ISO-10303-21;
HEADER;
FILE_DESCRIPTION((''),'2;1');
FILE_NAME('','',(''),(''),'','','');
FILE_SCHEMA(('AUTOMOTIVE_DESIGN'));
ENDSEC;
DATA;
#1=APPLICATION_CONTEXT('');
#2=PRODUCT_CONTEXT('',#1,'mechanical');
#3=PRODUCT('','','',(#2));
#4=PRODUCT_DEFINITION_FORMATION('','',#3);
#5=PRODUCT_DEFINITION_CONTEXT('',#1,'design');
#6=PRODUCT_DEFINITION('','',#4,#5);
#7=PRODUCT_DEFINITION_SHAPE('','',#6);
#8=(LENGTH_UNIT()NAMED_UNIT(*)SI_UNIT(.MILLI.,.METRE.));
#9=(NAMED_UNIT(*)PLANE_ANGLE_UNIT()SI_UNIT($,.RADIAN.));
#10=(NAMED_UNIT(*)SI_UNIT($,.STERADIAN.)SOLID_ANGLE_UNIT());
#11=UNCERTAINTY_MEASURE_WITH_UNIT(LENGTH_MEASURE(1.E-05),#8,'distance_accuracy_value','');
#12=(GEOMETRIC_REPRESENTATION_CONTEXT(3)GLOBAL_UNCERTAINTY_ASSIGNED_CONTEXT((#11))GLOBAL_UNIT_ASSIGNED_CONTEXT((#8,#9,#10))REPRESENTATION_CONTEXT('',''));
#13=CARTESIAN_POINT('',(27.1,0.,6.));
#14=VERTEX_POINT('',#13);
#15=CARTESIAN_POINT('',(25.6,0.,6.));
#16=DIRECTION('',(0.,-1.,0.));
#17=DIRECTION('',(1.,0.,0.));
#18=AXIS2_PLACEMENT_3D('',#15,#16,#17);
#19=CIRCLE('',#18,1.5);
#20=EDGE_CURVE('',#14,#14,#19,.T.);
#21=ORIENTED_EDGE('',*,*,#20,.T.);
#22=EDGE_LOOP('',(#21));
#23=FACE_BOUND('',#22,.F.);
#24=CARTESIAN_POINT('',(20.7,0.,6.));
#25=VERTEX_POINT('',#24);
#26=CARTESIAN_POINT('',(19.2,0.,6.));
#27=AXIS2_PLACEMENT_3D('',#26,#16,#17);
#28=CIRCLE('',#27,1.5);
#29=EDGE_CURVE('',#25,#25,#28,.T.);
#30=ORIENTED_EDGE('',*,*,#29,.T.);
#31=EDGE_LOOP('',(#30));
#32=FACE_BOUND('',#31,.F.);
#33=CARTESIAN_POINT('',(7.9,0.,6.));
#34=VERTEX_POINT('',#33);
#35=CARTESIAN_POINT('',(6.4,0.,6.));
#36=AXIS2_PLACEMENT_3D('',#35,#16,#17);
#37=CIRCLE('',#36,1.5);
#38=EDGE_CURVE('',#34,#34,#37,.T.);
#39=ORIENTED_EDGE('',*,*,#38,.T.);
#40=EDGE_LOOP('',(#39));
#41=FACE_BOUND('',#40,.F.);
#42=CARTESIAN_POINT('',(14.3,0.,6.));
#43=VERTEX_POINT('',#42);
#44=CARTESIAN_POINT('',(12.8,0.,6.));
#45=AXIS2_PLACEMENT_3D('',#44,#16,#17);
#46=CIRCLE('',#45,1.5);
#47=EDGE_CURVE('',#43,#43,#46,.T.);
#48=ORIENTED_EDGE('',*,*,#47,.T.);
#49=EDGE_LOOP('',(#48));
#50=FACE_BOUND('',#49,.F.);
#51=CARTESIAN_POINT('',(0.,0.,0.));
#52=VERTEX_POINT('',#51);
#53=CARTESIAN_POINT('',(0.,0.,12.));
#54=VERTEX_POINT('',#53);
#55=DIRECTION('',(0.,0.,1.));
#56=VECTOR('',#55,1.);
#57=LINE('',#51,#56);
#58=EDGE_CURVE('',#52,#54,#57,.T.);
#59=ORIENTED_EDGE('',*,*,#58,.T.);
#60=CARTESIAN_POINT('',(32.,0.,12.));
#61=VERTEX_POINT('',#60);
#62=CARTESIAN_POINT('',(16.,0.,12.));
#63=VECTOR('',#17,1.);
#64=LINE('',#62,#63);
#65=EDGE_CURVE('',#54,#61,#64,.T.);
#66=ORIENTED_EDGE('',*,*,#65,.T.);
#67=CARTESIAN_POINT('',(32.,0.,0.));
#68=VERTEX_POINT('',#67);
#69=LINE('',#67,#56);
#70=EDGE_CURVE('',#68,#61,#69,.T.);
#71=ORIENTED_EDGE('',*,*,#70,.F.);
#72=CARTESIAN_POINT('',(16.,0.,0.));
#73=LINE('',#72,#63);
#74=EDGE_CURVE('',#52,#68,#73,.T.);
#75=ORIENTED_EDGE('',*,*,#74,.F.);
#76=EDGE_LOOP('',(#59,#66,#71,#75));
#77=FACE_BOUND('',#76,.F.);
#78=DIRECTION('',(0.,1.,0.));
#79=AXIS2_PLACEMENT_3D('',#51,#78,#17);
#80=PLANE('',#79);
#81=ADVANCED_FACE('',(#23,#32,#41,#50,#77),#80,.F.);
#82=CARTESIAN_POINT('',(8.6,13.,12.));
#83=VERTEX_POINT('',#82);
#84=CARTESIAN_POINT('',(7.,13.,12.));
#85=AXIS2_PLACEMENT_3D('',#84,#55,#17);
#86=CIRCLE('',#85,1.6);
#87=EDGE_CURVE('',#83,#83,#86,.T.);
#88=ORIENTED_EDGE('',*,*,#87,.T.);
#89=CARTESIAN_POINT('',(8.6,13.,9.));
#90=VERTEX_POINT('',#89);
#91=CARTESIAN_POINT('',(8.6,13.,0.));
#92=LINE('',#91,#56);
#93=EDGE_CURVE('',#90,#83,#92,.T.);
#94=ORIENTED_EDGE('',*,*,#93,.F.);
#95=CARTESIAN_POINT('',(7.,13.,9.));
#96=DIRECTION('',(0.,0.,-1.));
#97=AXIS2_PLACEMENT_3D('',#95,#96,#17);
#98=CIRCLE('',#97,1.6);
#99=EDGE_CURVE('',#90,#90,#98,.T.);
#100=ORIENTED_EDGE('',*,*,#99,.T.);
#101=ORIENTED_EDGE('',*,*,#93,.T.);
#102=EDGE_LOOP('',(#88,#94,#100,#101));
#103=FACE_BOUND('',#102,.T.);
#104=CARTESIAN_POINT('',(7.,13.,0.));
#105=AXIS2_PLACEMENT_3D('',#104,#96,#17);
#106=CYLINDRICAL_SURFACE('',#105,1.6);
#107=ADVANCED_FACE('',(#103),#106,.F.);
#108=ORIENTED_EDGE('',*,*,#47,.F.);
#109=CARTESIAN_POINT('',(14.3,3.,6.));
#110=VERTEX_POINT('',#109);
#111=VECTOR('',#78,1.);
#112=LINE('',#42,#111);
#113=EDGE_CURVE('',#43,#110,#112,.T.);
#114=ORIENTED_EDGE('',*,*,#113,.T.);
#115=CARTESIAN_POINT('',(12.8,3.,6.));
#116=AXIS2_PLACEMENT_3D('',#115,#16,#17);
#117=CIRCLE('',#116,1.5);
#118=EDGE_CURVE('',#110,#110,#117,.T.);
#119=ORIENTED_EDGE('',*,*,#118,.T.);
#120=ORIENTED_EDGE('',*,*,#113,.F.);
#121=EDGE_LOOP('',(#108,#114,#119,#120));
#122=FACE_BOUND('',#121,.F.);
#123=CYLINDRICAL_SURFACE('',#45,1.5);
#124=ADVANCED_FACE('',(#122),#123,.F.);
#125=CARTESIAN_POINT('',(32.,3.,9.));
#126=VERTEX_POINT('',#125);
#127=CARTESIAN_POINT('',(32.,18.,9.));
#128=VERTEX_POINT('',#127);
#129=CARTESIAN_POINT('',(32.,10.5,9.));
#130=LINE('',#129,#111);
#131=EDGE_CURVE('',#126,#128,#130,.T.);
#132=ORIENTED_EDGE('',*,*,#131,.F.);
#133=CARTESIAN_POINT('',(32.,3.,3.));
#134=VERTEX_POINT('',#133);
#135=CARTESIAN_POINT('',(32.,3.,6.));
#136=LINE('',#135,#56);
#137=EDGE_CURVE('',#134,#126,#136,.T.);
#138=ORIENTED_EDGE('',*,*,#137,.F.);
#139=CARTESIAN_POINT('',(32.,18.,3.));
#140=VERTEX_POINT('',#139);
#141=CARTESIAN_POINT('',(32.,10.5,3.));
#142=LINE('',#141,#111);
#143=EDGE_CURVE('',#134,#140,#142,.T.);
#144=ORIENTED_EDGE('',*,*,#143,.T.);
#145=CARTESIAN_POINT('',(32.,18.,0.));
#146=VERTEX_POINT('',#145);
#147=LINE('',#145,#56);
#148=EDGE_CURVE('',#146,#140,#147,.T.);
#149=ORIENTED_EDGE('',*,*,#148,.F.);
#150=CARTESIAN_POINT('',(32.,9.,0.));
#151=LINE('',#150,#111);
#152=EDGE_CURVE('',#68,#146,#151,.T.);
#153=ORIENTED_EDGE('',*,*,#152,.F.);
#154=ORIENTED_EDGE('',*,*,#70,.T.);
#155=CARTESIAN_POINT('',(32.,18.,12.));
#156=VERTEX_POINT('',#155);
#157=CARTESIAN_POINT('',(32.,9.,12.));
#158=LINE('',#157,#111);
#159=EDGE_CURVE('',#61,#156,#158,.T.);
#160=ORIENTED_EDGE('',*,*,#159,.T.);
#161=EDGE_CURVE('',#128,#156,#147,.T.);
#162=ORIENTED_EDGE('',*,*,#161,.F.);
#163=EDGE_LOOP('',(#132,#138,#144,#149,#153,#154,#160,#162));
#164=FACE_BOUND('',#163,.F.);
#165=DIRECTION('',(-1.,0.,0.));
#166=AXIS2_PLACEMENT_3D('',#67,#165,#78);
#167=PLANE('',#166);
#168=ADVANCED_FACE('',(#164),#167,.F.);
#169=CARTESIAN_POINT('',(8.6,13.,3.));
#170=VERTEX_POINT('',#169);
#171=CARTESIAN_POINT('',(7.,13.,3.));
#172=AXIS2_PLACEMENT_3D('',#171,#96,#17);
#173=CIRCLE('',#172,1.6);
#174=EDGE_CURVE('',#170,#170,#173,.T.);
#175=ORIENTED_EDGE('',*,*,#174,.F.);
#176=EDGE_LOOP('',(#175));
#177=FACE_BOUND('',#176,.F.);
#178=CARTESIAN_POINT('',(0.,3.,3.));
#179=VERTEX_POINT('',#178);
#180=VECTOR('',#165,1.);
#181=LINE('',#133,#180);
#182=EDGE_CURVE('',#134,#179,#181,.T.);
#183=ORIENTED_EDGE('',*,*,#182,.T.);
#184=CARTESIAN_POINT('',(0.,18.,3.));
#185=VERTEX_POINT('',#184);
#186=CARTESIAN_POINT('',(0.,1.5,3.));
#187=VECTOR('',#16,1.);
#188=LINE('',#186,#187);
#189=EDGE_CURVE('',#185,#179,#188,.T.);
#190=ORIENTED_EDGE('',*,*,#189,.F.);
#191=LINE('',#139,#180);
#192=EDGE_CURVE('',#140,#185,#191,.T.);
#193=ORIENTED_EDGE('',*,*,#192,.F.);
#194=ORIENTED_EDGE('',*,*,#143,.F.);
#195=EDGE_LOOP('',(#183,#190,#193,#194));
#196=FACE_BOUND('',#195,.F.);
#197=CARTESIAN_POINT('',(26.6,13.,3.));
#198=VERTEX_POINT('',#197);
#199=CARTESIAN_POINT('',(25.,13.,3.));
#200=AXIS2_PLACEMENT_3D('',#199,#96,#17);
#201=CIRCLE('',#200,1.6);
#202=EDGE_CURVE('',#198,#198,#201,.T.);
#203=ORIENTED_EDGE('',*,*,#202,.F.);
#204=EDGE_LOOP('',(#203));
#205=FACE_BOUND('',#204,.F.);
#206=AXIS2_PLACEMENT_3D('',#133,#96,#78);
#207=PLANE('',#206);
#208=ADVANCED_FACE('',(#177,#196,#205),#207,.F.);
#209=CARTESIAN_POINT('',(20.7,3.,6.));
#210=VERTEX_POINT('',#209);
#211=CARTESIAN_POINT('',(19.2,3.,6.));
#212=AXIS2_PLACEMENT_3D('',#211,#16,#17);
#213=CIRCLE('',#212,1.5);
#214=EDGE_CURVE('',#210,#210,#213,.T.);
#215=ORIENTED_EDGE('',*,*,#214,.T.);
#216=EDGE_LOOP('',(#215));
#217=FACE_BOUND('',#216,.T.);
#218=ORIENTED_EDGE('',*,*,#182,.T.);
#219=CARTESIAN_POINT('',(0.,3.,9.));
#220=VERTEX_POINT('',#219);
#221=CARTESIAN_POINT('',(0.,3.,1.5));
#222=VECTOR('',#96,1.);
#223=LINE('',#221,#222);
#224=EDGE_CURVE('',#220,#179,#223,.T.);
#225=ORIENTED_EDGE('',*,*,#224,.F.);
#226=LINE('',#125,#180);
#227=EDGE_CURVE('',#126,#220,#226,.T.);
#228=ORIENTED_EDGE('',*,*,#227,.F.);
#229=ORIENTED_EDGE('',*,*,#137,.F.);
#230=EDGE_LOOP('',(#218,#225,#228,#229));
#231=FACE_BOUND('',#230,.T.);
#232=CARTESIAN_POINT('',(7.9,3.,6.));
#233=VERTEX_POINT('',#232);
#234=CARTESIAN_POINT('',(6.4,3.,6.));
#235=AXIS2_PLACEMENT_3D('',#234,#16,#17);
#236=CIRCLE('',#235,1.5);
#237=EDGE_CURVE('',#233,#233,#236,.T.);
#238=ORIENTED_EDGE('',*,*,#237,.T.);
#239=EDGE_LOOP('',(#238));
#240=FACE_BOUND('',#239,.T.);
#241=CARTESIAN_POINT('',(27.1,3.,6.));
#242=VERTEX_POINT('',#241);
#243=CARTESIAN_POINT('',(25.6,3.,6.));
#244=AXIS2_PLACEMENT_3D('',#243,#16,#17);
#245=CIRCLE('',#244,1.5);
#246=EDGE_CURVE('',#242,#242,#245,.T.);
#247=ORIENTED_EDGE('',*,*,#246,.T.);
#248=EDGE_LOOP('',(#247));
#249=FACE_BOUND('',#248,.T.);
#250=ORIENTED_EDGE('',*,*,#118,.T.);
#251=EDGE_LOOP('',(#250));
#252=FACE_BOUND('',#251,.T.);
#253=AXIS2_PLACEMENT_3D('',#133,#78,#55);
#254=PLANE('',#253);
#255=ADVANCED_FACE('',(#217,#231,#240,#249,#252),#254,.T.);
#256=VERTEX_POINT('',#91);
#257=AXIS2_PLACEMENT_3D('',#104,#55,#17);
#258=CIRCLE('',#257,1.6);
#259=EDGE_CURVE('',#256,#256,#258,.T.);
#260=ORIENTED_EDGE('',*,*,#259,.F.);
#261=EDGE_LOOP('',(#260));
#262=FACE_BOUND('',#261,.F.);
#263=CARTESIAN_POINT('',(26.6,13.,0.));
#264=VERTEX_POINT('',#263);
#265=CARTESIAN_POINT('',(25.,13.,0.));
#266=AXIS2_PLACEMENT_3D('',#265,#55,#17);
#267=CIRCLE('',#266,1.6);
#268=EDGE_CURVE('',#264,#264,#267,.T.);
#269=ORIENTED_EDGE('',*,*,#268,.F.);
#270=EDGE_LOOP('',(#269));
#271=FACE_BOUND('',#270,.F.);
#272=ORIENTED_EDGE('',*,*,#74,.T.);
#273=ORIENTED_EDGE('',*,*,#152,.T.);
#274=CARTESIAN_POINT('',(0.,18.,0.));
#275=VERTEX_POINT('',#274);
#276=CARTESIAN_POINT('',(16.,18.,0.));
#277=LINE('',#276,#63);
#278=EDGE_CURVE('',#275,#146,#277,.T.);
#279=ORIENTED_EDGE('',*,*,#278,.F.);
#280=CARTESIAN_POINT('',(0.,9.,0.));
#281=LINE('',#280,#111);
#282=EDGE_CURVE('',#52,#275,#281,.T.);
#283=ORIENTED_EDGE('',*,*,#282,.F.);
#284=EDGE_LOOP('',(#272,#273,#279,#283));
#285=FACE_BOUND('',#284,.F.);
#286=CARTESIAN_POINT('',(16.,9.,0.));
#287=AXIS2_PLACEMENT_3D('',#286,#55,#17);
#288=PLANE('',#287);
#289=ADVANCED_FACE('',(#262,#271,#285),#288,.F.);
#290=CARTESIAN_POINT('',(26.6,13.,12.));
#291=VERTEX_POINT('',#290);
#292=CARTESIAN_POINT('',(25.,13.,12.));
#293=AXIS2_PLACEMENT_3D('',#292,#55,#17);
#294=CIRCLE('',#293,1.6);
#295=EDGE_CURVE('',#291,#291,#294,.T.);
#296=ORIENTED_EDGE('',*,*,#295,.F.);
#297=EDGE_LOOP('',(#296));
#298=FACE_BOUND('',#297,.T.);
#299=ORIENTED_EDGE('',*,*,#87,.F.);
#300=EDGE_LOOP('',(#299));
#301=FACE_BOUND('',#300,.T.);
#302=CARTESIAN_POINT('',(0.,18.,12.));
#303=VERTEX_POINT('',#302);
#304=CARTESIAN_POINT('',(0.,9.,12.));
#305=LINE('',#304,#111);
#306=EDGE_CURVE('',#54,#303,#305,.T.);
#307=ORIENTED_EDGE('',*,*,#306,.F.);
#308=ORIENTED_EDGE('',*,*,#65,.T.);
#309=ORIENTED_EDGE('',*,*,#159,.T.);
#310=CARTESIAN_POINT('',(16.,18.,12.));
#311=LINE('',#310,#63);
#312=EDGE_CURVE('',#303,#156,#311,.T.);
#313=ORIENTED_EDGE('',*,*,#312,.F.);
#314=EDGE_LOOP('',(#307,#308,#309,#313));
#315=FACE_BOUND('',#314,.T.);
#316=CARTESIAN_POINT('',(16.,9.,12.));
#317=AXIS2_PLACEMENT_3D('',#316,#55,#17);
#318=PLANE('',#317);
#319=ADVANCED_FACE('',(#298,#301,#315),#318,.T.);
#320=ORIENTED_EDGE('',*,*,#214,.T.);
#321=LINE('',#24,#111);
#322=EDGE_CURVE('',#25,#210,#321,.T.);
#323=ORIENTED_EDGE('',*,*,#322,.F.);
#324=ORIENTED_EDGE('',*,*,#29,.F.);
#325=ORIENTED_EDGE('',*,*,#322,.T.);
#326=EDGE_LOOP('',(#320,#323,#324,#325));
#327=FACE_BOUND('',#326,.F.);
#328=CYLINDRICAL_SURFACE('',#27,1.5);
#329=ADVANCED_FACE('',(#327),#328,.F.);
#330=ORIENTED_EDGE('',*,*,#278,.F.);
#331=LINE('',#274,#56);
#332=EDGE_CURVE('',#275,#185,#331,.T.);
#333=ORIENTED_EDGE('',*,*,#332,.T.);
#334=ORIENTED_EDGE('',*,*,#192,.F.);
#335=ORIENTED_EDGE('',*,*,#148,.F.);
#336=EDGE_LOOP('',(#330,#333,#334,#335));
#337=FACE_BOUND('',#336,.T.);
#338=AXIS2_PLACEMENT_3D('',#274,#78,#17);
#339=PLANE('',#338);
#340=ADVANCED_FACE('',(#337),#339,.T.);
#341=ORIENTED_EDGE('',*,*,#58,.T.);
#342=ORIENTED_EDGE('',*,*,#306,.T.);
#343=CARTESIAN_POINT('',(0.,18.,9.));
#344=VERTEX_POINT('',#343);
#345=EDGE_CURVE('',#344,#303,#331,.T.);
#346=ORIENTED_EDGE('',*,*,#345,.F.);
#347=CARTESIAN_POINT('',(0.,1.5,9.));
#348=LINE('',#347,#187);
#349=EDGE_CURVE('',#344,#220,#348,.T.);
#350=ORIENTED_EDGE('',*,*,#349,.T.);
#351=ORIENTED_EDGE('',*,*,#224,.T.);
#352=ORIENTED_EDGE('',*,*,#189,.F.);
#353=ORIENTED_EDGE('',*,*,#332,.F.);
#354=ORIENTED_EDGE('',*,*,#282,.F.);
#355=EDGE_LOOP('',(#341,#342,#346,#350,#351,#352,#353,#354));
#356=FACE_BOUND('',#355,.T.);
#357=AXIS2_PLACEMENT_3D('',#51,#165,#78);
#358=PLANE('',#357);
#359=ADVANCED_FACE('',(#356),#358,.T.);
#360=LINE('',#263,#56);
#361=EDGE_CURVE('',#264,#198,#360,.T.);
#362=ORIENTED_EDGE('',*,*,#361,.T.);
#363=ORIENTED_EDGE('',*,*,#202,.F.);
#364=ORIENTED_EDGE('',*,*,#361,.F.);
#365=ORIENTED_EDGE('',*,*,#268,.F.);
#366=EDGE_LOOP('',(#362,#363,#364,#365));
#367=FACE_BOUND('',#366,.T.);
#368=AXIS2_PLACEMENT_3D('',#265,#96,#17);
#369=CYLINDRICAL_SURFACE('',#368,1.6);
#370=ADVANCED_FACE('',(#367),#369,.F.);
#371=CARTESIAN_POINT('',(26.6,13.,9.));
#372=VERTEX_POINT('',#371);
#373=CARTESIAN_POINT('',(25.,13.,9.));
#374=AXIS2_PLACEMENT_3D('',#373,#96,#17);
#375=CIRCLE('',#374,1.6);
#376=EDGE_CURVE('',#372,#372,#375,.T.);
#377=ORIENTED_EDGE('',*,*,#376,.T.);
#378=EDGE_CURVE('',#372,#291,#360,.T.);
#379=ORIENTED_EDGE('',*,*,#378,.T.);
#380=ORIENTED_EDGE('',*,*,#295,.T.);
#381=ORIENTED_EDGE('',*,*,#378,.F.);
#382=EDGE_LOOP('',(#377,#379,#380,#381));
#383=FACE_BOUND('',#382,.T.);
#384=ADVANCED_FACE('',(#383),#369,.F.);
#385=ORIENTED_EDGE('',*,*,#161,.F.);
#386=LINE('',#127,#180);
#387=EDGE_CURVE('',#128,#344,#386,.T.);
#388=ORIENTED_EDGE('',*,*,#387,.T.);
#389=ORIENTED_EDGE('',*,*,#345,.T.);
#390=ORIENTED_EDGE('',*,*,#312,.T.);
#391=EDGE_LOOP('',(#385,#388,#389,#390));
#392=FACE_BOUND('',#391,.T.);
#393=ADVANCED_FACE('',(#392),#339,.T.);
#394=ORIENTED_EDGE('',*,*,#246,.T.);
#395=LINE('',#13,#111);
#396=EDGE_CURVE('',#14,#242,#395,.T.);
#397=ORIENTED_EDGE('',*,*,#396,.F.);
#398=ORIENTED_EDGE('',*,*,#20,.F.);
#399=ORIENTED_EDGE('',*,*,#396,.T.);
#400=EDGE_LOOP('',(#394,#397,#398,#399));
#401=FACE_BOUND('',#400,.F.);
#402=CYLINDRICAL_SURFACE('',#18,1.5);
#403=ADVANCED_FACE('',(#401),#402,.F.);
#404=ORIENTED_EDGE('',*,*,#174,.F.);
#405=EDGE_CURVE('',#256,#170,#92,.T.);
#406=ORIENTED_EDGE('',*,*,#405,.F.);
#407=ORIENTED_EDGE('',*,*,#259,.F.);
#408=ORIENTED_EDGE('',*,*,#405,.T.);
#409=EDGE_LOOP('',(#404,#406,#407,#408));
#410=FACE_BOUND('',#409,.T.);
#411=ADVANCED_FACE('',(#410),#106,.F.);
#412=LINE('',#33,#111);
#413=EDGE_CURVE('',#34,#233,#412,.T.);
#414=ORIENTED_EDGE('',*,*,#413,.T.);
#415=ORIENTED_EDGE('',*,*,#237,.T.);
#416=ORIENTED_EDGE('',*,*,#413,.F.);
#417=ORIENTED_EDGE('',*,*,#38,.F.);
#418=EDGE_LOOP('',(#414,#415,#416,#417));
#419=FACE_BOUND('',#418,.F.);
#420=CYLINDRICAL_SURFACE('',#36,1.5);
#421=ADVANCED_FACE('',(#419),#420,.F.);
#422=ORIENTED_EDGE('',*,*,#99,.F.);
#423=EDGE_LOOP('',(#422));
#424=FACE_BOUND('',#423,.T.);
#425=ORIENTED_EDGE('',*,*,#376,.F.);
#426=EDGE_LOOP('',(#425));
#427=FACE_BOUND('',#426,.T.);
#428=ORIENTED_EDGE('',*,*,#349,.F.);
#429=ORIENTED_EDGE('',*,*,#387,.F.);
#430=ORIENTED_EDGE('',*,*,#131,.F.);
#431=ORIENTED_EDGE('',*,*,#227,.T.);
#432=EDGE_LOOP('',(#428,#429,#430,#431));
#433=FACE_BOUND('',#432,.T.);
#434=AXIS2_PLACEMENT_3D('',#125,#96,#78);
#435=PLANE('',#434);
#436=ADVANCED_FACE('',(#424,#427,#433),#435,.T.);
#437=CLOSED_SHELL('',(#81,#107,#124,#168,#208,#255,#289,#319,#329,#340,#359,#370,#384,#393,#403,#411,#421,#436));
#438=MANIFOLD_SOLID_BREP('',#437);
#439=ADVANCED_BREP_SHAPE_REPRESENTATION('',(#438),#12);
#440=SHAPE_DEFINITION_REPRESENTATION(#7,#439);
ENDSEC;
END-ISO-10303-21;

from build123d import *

# Parameters (mm, degrees)
SKETCH_W        = 32
SKETCH_H        = 18
SKETCH_R        = 1.6
PAD_DEPTH       = 12
SKETCH001_W     = 15
SKETCH001_H     = 6
POCKET_DEPTH    = 32.001
SKETCH002_R     = 1.5
POCKET001_DEPTH = 18.001


with BuildPart() as part:
    # Sketch → Pad (new body)
    with BuildSketch(Plane.XY):
        with Locations((16, 9)):
            Rectangle(SKETCH_W, SKETCH_H)
        with Locations((7, 13)):
            Circle(SKETCH_R, mode=Mode.SUBTRACT)
        with Locations((25, 13)):
            Circle(SKETCH_R, mode=Mode.SUBTRACT)
    extrude(amount=PAD_DEPTH)

    # Sketch001 → Pocket (cut, through all)
    with BuildSketch(Plane.YZ.offset(32)):
        with Locations((10.5, 6)):
            Rectangle(SKETCH001_W, SKETCH001_H)
    extrude(amount=-POCKET_DEPTH, mode=Mode.SUBTRACT)

    # Sketch002 → Pocket001 (cut, through all)
    with BuildSketch(Plane.XZ):
        with Locations((6.4, 6)):
            Circle(SKETCH002_R)
        with Locations((12.8, 6)):
            Circle(SKETCH002_R)
        with Locations((19.2, 6)):
            Circle(SKETCH002_R)
        with Locations((25.6, 6)):
            Circle(SKETCH002_R)
    extrude(amount=-POCKET001_DEPTH, mode=Mode.SUBTRACT)


solid = part.part
